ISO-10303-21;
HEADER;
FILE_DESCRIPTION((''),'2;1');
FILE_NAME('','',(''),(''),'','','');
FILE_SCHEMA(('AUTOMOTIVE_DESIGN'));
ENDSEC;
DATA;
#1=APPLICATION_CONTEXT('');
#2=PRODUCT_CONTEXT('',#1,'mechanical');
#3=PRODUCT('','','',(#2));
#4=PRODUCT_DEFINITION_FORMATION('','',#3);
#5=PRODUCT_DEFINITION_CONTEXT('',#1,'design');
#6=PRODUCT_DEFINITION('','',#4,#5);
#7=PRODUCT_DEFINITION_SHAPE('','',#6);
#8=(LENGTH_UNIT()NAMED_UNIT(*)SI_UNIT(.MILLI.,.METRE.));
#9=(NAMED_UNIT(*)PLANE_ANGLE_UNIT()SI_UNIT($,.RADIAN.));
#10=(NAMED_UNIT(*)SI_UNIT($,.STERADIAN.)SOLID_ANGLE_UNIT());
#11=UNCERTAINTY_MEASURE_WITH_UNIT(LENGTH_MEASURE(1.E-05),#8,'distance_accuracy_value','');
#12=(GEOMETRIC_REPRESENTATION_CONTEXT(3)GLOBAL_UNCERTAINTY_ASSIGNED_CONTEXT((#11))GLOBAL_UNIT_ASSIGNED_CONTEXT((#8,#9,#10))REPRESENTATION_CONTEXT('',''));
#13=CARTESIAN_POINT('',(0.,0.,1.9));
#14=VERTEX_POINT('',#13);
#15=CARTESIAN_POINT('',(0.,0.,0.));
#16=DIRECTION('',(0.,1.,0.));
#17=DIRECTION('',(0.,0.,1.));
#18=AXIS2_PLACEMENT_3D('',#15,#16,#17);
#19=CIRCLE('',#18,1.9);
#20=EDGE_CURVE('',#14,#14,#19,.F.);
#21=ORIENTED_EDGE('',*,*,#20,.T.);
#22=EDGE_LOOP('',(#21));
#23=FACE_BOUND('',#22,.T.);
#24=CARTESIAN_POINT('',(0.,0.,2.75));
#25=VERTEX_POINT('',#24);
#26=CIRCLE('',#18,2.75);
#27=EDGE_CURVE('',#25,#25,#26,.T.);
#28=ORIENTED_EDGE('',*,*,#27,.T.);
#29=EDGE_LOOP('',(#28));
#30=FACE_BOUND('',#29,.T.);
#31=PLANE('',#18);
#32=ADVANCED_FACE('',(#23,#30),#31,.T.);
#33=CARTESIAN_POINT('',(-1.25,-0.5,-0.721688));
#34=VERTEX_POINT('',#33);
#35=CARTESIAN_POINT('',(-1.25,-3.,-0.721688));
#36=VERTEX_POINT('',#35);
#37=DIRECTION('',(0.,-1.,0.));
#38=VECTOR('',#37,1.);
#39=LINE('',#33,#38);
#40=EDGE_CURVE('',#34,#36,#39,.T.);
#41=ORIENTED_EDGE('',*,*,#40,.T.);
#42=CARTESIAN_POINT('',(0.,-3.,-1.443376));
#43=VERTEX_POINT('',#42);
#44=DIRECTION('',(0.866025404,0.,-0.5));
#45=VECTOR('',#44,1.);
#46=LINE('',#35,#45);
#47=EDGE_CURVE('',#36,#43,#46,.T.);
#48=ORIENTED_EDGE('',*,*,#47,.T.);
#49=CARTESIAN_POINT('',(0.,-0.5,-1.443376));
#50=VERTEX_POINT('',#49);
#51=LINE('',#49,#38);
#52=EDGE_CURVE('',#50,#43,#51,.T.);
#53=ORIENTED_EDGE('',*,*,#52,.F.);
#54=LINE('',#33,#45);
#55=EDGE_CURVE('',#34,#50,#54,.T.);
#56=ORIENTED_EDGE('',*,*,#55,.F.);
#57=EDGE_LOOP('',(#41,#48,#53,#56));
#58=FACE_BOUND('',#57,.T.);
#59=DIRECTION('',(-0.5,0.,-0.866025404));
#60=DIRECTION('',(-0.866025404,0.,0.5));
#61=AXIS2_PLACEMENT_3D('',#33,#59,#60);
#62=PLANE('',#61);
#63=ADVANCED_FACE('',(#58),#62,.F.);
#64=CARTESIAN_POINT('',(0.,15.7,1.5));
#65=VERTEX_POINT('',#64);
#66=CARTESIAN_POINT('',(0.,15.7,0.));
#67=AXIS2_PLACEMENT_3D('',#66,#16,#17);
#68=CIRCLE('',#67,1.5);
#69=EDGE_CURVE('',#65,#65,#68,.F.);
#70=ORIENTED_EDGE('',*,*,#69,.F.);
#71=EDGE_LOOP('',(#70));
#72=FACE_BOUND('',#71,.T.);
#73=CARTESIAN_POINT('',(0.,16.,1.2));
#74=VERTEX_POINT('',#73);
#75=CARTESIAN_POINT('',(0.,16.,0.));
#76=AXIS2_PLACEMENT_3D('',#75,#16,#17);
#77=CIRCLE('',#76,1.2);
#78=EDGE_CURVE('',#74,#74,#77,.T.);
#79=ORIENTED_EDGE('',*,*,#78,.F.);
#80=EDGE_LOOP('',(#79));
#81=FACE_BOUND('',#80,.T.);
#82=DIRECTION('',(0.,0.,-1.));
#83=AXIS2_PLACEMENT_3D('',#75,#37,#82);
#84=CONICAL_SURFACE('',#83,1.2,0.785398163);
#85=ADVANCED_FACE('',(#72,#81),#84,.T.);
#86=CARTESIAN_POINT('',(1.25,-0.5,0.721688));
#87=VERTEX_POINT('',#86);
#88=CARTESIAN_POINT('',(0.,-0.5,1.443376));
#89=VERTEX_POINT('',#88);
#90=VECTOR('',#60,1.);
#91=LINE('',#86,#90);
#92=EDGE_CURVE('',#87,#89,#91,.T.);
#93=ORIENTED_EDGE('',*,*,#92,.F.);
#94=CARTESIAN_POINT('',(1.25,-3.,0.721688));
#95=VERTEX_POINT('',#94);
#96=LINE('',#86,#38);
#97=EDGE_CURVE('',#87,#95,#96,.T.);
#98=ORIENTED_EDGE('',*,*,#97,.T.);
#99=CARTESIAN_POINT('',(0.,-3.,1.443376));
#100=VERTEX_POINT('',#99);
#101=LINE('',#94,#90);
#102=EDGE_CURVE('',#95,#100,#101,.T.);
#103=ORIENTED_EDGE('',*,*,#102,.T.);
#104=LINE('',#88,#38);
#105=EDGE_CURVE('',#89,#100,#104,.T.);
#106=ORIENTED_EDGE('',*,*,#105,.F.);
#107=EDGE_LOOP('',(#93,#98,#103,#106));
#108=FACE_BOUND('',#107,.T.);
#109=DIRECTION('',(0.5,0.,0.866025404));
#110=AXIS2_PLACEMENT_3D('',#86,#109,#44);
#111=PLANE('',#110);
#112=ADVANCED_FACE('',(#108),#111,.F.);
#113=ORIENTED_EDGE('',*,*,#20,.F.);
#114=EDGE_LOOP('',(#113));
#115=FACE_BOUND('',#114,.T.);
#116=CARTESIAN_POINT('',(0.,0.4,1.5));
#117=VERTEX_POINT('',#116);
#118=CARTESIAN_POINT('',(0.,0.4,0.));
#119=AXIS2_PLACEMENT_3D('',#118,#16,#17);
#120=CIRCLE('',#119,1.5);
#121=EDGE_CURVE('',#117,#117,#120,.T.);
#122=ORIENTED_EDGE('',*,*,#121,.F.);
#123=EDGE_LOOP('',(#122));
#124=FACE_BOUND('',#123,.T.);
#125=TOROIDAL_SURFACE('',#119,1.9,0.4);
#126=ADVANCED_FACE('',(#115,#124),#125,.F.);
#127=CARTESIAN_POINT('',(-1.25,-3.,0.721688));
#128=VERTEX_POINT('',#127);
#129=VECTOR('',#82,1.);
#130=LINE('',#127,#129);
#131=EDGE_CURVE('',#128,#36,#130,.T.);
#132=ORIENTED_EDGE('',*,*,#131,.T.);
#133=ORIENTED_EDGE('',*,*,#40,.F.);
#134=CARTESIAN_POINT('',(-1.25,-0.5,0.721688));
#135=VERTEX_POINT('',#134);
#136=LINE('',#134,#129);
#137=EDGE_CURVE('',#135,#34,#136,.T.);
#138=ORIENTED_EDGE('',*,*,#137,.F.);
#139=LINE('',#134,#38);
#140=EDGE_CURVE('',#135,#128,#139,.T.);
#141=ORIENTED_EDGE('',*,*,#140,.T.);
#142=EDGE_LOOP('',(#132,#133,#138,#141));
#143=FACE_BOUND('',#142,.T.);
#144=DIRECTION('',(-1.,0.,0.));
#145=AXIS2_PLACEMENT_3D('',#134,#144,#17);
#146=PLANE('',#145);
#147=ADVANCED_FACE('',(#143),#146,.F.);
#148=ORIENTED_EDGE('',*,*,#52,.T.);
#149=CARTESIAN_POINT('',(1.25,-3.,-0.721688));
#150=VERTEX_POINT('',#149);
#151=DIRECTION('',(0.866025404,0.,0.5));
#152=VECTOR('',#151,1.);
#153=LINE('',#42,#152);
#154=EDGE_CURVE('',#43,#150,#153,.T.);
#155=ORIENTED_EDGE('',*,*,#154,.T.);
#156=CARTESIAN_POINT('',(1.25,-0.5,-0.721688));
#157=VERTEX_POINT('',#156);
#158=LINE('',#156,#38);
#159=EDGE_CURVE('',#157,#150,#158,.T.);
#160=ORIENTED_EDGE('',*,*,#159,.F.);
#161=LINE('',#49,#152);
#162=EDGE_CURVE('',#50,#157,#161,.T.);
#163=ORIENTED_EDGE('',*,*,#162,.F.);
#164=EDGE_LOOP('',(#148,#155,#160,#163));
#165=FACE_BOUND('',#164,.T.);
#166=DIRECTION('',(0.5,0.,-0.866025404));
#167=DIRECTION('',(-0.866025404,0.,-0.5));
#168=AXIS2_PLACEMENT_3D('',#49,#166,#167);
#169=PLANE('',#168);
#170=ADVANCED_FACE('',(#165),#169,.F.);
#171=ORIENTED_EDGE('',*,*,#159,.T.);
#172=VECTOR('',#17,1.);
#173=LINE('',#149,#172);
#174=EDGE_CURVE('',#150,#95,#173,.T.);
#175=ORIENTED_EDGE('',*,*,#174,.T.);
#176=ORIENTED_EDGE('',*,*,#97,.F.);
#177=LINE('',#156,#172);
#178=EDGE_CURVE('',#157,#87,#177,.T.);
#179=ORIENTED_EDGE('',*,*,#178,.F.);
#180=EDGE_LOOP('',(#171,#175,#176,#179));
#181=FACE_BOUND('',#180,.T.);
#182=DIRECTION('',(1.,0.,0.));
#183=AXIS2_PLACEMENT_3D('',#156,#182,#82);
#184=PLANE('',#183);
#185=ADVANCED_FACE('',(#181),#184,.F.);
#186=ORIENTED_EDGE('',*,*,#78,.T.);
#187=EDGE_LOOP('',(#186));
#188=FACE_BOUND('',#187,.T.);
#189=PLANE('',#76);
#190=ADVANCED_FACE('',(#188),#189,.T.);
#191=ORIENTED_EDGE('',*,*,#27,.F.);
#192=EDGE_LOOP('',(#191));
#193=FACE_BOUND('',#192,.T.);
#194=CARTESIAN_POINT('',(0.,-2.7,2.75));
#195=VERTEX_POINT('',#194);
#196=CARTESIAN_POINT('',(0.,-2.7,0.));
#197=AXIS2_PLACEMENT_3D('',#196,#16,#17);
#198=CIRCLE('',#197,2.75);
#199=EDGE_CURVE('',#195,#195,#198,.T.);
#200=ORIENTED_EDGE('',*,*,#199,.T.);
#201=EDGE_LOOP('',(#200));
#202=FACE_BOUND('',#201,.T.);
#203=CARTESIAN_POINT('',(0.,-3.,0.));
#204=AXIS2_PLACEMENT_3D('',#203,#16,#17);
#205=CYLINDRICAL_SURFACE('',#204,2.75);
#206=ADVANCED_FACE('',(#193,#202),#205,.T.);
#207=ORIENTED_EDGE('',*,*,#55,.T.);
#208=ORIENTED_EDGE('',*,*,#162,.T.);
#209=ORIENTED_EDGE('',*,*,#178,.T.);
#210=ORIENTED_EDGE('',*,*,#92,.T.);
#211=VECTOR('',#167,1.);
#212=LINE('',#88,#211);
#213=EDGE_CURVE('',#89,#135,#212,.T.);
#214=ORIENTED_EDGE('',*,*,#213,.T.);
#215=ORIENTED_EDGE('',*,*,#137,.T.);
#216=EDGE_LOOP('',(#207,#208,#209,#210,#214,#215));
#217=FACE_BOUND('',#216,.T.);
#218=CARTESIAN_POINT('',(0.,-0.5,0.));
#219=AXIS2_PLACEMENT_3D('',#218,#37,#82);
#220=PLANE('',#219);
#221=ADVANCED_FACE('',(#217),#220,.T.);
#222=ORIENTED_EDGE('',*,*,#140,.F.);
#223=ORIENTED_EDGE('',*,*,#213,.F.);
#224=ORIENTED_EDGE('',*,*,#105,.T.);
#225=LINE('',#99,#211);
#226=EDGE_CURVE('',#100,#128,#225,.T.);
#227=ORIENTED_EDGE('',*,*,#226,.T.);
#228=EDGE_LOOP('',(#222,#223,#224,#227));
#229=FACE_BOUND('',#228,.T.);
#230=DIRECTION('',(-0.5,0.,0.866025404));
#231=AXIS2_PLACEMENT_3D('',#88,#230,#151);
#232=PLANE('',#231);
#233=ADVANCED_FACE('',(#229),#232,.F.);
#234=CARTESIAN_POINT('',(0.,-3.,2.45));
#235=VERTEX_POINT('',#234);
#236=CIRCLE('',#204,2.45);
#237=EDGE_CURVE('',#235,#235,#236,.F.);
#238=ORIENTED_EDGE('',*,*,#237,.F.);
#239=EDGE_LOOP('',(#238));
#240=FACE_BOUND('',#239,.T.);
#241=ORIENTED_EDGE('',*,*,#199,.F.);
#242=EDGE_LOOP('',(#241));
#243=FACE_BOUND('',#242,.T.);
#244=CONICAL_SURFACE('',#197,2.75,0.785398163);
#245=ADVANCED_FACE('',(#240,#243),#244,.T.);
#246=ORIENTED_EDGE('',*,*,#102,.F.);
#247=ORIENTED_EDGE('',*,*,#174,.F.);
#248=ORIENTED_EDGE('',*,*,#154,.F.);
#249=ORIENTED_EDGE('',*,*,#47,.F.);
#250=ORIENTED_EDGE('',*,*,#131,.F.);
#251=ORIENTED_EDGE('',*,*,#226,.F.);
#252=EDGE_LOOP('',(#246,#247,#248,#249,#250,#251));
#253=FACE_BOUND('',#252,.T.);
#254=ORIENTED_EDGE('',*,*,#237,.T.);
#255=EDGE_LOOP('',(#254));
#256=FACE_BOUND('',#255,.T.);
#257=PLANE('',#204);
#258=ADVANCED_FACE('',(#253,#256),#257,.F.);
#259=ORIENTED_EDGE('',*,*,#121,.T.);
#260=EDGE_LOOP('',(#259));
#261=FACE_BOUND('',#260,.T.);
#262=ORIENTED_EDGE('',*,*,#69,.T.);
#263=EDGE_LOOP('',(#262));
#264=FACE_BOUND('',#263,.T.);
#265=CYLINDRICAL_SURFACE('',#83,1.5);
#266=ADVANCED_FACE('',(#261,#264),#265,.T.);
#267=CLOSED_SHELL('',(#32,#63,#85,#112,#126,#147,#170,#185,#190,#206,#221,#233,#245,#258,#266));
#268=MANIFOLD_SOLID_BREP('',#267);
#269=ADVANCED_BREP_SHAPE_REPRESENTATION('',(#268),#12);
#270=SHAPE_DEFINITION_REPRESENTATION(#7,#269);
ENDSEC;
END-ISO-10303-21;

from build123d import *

# Parameters (mm, degrees)
SKETCH2_R           = 1.5
BOSS_EXTRUDE1_DEPTH = 16
SKETCH3_R           = 2.75
BOSS_EXTRUDE2_DEPTH = 3
FILLET1_R           = 0.4
CHAMFER1_SIZE       = 0.3
CUT_EXTRUDE1_DEPTH  = 2.5


with BuildPart() as part:
    # Sketch2 → Boss-Extrude1 (new body)
    with BuildSketch(Plane(origin=(0, 0, 0), x_dir=(1, 0, 0), z_dir=(0, 1, 0))):
        with Locations(Location((0, 0, 0), (0, 0, 270))):
            Circle(SKETCH2_R)
    extrude(amount=BOSS_EXTRUDE1_DEPTH)

    # Sketch3 → Boss-Extrude2 (add)
    with BuildSketch(Plane(origin=(0, 0, 0), x_dir=(1, 0, 0), z_dir=(0, 1, 0))):
        with Locations(Location((0, 0, 0), (0, 0, 270))):
            Circle(SKETCH3_R)
    extrude(amount=-BOSS_EXTRUDE2_DEPTH)

    # Fillet1
    fillet1_edges = [part.edges().sort_by_distance(p)[0] for p in [
        (0, 0, -1.5),
    ]]
    fillet(fillet1_edges, radius=FILLET1_R)

    # Chamfer1
    chamfer1_edges = [part.edges().sort_by_distance(p)[0] for p in [
        (0, 16, -1.5),
        (0, -3, -2.75),
    ]]
    chamfer(chamfer1_edges, length=CHAMFER1_SIZE)

    # Sketch4 → Cut-Extrude1 (cut)
    with BuildSketch(Plane.XZ.offset(3)):
        Polygon((0, 1.443375673), (-1.25, 0.721687836), (-1.25, -0.721687836), (0, -1.443375673), (1.25, -0.721687836), (1.25, 0.721687836), align=None)
    extrude(amount=-CUT_EXTRUDE1_DEPTH, mode=Mode.SUBTRACT)


solid = part.part
